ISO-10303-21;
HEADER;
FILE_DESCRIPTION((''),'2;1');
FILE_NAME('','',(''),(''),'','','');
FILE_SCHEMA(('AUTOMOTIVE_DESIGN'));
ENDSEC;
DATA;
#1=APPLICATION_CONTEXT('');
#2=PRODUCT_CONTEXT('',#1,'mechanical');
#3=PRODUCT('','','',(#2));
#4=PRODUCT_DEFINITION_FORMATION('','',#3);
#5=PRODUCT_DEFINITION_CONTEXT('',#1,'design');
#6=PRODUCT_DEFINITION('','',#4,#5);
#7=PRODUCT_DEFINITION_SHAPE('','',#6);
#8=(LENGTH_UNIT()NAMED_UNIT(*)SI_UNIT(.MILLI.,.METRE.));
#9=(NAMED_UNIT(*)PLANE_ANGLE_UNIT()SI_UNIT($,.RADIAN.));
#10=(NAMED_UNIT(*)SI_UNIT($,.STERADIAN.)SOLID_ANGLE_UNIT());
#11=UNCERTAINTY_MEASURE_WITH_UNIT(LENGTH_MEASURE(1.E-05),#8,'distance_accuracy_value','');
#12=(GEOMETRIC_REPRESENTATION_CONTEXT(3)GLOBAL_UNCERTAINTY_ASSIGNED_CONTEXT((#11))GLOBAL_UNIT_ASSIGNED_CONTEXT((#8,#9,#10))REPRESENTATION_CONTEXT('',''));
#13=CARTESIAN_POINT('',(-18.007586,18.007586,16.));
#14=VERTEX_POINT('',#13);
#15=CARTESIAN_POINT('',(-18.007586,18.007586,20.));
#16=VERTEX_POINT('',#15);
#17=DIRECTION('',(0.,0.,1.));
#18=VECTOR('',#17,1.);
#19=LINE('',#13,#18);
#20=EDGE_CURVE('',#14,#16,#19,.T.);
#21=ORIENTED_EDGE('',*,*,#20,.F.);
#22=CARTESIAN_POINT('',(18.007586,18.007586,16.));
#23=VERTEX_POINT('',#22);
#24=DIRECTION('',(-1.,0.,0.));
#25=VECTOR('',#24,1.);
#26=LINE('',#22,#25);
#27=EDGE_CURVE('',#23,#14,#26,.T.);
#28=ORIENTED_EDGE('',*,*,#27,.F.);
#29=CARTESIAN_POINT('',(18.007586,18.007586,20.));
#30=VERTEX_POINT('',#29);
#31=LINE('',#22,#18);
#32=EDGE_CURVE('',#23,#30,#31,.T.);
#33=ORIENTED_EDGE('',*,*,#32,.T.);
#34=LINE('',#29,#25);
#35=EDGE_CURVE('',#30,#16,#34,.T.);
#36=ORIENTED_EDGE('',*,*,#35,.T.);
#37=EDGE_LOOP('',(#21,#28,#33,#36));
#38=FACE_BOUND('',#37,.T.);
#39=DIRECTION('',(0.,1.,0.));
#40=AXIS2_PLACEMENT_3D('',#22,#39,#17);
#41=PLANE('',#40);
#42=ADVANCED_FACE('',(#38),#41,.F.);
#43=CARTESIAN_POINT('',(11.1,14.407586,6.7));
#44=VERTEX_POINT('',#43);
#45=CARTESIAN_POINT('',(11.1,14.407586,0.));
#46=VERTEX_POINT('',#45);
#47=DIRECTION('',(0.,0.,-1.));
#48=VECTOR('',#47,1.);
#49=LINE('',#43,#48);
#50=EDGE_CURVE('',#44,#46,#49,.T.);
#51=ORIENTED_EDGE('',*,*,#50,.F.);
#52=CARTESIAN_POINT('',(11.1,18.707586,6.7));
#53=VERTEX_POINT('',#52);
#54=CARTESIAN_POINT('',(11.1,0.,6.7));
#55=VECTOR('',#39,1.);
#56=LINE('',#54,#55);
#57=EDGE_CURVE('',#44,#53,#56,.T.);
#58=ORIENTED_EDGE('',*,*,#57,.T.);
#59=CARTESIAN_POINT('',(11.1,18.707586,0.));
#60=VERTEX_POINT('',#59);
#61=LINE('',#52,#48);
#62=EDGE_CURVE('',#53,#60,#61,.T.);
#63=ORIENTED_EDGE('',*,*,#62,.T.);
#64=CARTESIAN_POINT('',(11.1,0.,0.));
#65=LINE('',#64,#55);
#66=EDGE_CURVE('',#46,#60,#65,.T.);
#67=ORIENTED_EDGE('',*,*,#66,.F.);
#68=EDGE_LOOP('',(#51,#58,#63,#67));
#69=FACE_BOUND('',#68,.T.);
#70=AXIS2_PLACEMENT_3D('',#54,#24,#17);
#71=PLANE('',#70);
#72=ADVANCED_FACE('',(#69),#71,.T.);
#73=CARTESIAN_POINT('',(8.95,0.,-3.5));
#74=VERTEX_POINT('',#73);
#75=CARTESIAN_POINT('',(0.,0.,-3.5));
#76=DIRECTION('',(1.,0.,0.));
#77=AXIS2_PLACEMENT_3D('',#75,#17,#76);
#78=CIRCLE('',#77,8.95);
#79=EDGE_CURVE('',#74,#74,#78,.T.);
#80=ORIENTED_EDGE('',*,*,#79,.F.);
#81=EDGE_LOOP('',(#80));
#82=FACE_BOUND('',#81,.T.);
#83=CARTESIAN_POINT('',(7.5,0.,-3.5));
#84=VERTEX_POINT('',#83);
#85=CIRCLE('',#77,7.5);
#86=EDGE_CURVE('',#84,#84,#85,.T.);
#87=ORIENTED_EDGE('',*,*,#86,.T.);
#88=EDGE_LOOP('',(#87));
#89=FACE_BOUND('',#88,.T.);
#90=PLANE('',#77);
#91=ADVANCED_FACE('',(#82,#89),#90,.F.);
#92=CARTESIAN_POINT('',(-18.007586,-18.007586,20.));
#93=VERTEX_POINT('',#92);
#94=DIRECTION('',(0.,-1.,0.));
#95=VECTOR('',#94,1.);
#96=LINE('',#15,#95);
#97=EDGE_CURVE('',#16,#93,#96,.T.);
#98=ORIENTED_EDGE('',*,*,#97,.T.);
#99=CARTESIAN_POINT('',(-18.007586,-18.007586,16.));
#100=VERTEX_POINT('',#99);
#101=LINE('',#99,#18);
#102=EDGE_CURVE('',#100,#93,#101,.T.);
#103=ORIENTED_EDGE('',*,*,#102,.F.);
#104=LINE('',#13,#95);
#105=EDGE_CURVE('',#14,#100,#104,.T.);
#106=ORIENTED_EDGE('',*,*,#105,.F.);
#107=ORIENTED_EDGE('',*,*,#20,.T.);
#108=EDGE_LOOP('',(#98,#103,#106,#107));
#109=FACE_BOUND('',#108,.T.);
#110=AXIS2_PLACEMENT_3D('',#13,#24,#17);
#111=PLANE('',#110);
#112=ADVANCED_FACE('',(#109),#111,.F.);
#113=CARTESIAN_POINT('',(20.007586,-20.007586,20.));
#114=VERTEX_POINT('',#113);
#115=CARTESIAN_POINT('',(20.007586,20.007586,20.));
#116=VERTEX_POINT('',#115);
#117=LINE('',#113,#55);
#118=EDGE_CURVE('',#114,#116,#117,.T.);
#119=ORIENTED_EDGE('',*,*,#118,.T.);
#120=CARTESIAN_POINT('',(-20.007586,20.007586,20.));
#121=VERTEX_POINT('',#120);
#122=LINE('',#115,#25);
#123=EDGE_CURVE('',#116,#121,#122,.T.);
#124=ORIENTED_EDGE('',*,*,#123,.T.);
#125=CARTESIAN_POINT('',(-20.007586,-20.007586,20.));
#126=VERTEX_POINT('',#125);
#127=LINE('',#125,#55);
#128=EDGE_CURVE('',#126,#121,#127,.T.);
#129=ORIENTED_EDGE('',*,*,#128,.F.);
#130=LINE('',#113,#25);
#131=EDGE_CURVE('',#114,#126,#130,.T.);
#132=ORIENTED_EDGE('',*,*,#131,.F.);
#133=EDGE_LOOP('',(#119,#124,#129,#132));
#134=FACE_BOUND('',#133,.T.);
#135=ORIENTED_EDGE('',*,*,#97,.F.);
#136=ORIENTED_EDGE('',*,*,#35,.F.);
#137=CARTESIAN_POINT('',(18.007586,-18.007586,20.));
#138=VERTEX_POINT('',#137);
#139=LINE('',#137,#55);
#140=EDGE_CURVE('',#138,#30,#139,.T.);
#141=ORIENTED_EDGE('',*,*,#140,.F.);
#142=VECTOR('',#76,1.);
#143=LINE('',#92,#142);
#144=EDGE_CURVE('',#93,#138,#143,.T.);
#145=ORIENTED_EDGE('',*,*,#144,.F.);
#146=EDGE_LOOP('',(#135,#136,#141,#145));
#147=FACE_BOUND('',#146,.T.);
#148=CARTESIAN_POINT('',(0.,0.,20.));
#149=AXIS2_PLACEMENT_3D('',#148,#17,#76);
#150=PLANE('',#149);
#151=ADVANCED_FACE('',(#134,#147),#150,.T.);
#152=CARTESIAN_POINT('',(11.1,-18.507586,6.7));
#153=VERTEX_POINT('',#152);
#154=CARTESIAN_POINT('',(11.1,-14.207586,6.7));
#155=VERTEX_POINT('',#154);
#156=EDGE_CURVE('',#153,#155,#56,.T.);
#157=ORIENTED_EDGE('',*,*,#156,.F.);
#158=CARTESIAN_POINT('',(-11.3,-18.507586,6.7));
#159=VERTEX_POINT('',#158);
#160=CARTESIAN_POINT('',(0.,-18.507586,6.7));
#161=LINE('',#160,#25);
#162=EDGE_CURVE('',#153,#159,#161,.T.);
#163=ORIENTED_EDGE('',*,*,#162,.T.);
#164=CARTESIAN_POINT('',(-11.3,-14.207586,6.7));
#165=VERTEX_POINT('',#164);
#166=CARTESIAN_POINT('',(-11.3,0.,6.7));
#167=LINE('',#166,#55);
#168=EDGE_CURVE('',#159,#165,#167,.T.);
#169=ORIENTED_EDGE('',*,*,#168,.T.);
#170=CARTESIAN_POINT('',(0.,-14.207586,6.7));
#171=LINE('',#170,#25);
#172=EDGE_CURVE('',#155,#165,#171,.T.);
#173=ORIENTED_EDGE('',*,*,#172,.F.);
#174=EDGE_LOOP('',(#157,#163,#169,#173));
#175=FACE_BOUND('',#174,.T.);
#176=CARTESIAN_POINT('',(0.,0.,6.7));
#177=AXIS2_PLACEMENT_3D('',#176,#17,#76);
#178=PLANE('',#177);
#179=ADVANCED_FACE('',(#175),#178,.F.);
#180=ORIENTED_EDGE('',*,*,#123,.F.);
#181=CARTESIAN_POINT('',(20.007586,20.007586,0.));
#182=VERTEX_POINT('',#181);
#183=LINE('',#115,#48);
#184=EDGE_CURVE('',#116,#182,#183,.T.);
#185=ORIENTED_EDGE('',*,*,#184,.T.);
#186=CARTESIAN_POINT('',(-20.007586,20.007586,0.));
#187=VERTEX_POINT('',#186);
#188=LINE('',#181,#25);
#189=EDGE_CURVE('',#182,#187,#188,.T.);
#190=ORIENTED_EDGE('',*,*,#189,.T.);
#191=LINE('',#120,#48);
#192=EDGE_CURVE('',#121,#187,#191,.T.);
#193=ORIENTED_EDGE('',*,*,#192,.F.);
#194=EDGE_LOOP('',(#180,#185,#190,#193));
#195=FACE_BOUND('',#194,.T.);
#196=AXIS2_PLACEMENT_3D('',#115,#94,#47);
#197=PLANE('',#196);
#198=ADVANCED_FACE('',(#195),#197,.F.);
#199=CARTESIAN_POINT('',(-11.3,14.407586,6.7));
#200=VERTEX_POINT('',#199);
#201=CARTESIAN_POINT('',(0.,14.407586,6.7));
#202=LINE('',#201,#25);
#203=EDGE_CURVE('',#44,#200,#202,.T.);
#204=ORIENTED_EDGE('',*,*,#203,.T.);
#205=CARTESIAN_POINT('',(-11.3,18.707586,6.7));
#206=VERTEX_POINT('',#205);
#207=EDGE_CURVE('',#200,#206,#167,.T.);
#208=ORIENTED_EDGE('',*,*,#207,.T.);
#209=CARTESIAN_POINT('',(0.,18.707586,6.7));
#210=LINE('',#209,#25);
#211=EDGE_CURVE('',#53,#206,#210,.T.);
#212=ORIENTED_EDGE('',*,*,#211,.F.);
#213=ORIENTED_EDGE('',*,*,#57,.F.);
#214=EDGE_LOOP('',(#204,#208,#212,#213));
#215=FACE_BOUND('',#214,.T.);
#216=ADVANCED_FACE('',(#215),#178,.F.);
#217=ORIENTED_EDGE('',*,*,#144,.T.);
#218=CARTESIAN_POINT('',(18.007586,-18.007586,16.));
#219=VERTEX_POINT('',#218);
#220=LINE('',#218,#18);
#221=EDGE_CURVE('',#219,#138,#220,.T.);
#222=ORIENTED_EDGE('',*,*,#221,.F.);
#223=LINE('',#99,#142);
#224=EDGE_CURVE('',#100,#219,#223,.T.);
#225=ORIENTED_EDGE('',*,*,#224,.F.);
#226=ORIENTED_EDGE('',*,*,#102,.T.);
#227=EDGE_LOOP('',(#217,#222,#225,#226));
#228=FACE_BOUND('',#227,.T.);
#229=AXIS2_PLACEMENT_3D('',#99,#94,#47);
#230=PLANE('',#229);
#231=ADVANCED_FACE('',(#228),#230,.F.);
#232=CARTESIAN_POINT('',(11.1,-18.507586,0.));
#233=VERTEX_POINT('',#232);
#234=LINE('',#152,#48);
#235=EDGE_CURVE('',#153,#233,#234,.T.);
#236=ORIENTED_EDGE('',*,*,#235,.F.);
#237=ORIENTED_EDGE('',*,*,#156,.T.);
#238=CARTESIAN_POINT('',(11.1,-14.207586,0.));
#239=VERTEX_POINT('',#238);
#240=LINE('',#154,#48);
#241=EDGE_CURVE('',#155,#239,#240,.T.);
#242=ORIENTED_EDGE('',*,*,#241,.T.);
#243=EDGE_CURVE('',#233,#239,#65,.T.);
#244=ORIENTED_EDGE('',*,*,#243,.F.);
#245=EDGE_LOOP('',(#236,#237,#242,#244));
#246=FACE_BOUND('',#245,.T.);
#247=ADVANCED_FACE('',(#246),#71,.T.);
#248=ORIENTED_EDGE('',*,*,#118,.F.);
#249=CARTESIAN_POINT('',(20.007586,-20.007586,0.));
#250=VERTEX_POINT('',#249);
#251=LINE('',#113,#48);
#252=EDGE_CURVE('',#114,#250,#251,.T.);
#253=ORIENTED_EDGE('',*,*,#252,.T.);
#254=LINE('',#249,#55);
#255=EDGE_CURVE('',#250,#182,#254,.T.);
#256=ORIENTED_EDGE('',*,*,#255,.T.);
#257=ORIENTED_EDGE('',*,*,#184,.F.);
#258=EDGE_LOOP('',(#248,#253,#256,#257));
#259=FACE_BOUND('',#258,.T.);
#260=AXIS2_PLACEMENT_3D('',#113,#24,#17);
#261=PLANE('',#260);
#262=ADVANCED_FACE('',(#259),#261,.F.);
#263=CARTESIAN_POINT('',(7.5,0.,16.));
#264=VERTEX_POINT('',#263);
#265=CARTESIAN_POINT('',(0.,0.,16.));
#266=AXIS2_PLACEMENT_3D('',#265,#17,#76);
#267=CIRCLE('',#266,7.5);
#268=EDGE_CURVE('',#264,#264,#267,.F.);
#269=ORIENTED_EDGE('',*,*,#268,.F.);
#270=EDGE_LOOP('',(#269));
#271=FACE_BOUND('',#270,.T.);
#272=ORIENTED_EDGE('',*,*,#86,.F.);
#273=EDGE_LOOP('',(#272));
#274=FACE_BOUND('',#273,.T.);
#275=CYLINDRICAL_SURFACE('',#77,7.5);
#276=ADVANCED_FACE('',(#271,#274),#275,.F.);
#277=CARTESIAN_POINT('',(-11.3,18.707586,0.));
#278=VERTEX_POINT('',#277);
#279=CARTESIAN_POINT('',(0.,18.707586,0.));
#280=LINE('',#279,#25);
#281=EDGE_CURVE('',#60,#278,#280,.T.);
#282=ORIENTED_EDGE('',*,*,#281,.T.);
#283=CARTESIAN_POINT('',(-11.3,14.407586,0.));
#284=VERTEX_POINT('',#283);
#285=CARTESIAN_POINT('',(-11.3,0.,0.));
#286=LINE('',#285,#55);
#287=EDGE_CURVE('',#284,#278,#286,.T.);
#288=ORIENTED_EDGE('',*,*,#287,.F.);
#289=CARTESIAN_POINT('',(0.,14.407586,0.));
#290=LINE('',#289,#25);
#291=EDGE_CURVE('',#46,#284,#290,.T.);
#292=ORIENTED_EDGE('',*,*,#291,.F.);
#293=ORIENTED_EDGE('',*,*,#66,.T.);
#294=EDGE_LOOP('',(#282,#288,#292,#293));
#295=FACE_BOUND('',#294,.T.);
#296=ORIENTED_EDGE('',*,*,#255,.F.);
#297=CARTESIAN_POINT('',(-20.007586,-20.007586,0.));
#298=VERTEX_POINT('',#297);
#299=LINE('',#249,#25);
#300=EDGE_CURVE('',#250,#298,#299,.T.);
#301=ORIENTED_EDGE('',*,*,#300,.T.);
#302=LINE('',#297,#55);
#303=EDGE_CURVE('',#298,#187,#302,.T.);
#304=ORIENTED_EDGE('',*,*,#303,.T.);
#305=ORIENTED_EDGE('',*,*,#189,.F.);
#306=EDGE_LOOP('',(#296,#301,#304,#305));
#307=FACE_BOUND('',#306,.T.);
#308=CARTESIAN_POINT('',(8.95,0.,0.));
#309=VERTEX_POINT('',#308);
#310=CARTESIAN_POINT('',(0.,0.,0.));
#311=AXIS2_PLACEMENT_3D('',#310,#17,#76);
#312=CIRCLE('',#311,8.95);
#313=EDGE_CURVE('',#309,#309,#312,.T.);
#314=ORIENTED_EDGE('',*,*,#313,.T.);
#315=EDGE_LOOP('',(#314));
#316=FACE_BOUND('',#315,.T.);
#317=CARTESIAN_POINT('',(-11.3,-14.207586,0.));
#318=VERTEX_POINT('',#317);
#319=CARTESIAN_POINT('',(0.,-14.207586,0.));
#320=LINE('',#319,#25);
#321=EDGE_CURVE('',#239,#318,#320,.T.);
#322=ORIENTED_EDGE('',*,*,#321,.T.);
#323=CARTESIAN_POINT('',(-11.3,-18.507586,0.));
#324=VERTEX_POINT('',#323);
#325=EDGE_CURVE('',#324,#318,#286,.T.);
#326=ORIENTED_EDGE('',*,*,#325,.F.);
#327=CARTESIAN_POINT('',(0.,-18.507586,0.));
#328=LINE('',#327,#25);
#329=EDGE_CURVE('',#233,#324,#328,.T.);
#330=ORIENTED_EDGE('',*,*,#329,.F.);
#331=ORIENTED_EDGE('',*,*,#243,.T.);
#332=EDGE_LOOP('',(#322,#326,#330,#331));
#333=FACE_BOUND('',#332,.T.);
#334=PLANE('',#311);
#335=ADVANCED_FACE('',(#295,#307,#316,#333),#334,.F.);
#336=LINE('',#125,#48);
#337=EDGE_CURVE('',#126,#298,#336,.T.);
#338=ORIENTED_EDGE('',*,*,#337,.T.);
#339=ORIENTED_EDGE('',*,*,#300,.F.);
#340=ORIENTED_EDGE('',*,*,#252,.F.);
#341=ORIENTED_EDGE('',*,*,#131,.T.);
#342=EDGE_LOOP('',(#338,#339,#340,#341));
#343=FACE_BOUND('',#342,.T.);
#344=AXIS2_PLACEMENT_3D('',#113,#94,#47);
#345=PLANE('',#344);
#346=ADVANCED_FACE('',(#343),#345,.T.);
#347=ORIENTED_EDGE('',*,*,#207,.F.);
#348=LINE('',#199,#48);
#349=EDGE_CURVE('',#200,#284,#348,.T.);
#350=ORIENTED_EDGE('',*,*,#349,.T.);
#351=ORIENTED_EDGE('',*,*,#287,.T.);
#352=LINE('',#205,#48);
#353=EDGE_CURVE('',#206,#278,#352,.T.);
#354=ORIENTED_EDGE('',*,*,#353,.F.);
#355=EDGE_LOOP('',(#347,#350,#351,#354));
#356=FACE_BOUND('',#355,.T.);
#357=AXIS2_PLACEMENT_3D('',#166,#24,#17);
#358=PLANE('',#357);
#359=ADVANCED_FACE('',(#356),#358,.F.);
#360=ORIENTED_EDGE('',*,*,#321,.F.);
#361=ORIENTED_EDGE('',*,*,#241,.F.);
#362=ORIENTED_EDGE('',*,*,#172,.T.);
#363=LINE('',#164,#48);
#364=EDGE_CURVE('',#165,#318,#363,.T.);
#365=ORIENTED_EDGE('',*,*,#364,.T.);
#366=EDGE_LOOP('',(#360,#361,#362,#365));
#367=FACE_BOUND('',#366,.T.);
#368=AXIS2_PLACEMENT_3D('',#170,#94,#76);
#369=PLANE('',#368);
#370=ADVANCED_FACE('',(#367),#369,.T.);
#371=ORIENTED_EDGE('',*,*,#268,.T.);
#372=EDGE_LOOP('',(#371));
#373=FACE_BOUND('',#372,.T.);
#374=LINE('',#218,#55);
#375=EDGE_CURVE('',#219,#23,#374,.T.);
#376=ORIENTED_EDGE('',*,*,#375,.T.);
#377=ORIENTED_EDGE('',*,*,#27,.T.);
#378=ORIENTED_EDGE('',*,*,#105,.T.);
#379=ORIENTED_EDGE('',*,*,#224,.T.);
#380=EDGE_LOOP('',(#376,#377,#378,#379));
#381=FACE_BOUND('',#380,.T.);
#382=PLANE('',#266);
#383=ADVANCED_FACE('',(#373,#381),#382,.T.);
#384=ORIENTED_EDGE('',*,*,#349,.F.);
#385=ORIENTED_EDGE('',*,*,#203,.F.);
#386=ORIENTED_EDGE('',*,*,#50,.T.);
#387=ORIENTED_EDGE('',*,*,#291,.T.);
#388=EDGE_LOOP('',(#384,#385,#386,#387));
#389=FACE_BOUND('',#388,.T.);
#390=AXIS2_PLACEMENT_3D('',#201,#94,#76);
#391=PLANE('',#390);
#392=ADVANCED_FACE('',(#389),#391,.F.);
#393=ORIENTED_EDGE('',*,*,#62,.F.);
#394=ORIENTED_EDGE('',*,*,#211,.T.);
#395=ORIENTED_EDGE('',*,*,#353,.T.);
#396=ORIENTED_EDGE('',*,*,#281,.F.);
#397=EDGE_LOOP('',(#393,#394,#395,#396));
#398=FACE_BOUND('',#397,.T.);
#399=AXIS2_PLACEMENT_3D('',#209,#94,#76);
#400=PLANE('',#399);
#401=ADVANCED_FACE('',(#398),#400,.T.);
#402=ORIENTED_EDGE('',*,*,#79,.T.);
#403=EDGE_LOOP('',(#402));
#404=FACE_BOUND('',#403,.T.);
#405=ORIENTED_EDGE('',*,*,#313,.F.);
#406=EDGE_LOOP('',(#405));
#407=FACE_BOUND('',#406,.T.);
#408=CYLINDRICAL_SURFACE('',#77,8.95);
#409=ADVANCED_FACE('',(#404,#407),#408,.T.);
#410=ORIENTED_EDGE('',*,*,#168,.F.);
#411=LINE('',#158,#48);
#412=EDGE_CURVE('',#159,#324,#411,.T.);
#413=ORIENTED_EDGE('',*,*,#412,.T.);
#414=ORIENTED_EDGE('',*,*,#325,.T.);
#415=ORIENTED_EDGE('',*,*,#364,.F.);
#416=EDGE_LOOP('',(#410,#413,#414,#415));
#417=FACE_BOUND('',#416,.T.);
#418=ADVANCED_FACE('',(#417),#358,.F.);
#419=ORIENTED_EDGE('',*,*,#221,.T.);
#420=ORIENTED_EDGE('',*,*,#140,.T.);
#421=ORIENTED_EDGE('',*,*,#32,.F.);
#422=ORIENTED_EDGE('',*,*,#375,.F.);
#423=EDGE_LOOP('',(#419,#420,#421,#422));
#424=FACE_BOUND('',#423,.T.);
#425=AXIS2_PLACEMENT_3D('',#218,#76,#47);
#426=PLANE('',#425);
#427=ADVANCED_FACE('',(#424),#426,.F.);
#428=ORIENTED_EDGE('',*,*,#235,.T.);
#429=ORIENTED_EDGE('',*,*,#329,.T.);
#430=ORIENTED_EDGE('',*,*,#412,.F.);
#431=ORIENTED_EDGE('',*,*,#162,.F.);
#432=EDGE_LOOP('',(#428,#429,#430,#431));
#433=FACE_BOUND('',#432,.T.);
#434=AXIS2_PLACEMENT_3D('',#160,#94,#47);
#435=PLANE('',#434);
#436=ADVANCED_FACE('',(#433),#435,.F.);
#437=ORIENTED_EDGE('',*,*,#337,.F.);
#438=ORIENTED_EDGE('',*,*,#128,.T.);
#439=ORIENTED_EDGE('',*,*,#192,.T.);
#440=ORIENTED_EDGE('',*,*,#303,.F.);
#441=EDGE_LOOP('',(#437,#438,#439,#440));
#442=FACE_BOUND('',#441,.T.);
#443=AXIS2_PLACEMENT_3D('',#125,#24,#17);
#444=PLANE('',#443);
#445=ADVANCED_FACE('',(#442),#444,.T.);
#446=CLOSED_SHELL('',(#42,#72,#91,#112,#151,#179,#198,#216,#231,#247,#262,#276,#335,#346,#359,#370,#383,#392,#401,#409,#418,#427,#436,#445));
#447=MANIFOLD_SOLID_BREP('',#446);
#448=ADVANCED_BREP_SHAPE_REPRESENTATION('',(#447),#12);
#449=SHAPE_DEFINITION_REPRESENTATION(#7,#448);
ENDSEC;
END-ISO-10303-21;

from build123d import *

# Parameters (mm, degrees)
SKETCH1_W           = 40.015172748
SKETCH1_H           = 40.015172748
BOSS_EXTRUDE1_DEPTH = 20
SKETCH1_3_R         = 8.95
SKETCH1_3_R_2       = 7.5
BOSS_EXTRUDE2_DEPTH = 3.5
SKETCH1_4_R         = 7.5
CUT_EXTRUDE1_DEPTH  = 35.649776695
SKETCH1_5_W         = 22.4
SKETCH1_5_H         = 4.3
CUT_EXTRUDE2_DEPTH  = 6.7
SKETCH7_W           = 36.015172748
SKETCH7_H           = 36.015172748
CUT_EXTRUDE3_DEPTH  = 4


with BuildPart() as part:
    # Sketch1 → Boss-Extrude1 (new body)
    with BuildSketch(Plane.XY):
        Rectangle(SKETCH1_W, SKETCH1_H)
    extrude(amount=BOSS_EXTRUDE1_DEPTH)

    # Sketch1<3> → Boss-Extrude2 (add)
    with BuildSketch(Plane.XY):
        Circle(SKETCH1_3_R)
        Circle(SKETCH1_3_R_2, mode=Mode.SUBTRACT)
    extrude(amount=-BOSS_EXTRUDE2_DEPTH)

    # Sketch1<4> → Cut-Extrude1 (cut, through all)
    with BuildSketch(Plane.XY):
        Circle(SKETCH1_4_R)
    extrude(amount=CUT_EXTRUDE1_DEPTH, mode=Mode.SUBTRACT)

    # Sketch1<5> → Cut-Extrude2 (cut)
    with BuildSketch(Plane.XY):
        with Locations((-0.1, -16.357586374)):
            Rectangle(SKETCH1_5_W, SKETCH1_5_H)
        with Locations((-0.1, 16.557586374)):
            Rectangle(SKETCH1_5_W, SKETCH1_5_H)
    extrude(amount=CUT_EXTRUDE2_DEPTH, mode=Mode.SUBTRACT)

    # Sketch7 → Cut-Extrude3 (cut)
    with BuildSketch(Plane.XY.offset(20)):
        Rectangle(SKETCH7_W, SKETCH7_H)
    extrude(amount=-CUT_EXTRUDE3_DEPTH, mode=Mode.SUBTRACT)


solid = part.part
